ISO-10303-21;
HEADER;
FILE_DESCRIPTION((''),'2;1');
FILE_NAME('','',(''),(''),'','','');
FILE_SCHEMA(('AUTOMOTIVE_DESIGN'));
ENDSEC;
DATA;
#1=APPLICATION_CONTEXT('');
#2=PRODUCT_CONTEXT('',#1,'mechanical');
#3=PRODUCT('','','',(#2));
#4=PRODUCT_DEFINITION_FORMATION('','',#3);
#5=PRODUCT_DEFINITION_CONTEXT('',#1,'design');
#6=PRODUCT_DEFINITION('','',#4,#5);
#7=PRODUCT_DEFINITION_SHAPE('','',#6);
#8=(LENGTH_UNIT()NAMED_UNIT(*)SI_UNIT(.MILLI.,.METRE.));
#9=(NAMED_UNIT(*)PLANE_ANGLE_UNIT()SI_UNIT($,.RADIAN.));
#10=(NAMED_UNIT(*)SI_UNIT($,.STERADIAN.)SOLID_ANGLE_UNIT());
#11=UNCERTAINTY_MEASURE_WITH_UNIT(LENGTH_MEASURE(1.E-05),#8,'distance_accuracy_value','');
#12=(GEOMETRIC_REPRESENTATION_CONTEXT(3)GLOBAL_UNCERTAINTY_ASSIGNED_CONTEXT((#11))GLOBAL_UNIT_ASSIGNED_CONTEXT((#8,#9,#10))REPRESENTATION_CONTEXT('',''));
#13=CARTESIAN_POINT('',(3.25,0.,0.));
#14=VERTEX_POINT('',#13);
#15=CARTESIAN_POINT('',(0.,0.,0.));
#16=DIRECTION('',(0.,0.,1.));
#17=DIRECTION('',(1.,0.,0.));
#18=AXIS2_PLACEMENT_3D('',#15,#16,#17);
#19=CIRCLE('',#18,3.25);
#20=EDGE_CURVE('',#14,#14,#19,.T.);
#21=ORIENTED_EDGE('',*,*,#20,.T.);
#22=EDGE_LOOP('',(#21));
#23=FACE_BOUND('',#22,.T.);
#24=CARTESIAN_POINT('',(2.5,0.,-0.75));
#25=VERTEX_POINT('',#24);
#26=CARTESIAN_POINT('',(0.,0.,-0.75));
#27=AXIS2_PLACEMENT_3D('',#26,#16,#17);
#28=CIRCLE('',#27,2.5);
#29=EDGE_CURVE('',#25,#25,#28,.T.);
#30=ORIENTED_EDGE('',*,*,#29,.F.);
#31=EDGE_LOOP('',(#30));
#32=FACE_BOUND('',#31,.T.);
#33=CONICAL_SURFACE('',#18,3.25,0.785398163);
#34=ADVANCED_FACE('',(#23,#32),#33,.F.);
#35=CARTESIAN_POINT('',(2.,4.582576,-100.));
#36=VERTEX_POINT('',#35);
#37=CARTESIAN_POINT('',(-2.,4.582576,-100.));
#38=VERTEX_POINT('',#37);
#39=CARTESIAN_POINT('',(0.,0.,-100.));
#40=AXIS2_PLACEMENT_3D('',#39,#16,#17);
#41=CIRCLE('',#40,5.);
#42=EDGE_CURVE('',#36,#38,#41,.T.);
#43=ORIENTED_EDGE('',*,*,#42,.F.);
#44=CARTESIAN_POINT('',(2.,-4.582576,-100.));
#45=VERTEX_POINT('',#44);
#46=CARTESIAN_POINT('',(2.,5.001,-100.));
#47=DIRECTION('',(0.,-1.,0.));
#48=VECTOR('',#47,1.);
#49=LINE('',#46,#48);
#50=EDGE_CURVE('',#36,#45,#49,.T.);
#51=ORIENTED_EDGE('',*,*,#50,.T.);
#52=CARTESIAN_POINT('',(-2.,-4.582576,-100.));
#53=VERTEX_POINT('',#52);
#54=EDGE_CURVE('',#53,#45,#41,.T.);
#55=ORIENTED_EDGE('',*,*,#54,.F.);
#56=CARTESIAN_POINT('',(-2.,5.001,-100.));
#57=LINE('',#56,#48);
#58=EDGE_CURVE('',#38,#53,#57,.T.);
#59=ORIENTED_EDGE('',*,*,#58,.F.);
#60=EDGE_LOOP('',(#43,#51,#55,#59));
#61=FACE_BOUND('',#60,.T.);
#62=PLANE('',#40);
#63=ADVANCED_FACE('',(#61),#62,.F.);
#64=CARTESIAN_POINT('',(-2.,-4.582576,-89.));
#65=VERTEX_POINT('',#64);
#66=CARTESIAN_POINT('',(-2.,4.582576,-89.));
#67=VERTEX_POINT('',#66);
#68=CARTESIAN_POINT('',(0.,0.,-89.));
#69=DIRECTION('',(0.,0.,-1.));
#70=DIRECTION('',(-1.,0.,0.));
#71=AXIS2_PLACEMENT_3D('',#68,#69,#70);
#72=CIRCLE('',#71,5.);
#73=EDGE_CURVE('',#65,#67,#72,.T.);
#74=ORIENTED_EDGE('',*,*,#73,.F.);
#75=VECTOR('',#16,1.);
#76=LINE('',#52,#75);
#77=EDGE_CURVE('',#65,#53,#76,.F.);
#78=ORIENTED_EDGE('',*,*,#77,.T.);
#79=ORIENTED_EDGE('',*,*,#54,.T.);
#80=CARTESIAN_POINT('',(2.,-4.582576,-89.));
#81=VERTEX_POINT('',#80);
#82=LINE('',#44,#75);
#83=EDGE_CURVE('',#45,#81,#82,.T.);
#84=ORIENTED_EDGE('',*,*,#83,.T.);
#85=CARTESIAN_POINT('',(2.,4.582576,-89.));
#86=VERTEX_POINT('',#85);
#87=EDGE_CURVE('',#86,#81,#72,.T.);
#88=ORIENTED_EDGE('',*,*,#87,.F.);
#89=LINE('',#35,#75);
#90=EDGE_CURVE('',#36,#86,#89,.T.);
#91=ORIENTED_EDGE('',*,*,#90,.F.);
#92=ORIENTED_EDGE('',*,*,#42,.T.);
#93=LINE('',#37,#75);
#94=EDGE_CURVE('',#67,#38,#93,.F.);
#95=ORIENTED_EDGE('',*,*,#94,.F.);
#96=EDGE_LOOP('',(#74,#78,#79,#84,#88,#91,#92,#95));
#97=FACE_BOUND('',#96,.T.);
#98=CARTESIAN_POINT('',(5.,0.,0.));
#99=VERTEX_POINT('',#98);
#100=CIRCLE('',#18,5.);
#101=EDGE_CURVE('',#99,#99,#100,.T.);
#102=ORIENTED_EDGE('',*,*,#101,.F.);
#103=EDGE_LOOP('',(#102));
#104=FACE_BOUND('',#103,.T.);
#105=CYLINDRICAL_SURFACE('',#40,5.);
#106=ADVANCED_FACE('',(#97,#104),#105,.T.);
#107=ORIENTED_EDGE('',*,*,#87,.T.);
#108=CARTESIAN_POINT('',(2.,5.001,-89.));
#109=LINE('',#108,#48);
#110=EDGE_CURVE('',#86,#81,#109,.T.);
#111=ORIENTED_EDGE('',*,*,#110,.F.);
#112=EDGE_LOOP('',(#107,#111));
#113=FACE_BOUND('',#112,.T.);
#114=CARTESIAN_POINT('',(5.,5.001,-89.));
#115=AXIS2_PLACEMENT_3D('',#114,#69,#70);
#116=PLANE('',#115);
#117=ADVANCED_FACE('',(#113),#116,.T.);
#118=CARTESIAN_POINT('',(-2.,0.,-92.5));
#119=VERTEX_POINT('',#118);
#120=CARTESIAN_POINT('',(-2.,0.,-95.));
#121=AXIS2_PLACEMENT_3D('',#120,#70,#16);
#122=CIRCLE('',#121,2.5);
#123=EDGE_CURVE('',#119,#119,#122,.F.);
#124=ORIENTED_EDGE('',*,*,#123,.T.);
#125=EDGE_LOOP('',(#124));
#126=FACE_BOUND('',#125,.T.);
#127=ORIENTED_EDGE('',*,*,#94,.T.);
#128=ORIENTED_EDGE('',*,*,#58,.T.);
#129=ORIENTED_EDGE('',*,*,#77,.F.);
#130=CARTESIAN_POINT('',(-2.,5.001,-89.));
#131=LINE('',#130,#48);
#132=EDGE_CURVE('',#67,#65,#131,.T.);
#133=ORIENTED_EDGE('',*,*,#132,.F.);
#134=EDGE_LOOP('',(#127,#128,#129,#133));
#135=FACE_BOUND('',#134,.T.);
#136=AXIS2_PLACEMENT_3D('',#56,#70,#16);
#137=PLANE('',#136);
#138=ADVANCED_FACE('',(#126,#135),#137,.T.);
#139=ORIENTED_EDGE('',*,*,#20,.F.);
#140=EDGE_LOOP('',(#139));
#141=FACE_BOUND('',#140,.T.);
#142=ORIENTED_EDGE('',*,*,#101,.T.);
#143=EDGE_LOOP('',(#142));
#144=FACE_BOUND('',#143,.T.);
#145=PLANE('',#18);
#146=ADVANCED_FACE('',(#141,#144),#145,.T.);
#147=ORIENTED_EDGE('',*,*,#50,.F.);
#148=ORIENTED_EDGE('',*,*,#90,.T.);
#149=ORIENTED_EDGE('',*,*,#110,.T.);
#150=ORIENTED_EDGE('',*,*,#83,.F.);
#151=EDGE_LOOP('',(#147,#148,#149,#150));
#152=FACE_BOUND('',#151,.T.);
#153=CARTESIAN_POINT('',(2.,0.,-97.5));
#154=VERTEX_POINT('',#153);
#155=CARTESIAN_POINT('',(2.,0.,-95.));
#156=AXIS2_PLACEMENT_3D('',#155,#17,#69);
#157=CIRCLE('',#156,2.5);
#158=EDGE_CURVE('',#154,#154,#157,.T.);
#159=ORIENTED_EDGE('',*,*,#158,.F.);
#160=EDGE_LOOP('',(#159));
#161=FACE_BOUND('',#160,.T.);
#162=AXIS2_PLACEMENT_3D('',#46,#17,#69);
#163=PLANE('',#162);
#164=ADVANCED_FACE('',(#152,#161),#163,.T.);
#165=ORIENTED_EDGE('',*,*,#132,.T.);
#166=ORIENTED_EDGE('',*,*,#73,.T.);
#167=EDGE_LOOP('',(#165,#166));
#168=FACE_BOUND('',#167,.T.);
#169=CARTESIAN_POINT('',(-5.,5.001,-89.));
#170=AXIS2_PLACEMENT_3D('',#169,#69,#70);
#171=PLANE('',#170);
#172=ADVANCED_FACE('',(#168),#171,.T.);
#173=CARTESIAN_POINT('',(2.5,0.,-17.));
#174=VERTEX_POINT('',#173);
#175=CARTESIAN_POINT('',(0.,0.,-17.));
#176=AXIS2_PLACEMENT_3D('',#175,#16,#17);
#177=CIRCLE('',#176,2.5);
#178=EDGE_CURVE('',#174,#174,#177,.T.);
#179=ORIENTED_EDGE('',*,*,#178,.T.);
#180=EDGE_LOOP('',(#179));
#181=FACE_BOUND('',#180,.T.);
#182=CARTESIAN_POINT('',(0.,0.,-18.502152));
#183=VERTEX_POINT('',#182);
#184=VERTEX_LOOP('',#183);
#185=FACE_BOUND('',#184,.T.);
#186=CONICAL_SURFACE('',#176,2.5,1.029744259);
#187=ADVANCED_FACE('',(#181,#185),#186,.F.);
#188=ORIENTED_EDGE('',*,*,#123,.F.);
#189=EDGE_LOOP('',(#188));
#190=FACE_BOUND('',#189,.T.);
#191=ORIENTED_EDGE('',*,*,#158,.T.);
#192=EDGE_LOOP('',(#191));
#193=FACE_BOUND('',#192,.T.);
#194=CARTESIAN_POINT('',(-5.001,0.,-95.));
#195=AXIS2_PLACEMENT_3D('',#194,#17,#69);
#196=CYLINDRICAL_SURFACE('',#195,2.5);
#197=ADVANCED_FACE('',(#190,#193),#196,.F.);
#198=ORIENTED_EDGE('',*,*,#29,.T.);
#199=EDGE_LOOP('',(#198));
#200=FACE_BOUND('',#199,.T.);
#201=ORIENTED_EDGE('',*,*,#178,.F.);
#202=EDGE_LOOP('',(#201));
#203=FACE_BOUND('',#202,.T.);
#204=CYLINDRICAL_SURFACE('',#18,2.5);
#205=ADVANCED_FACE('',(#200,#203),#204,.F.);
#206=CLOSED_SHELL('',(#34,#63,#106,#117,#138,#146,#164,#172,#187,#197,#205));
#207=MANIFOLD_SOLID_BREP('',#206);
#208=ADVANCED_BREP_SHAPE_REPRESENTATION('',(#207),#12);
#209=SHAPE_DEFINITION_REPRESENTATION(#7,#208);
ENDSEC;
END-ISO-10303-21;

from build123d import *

# Parameters (mm, degrees)
SKETCH1_R                       = 5
BOSS_EXTRUDE1_DEPTH             = 100
CUT_EXTRUDE5_REACH              = 7
SKETCH2_W                       = 3
SKETCH2_H                       = 11
CUT_EXTRUDE5_DIRECTION_2_REACH  = 7
CUT_EXTRUDE6_REACH              = 9
SKETCH3_R                       = 2.5
M6X1_0_TAPPED_HOLE1_D           = 5
M6X1_0_TAPPED_HOLE1_DEPTH       = 17
M6X1_0_TAPPED_HOLE1_CSINK_D     = 6.5
M6X1_0_TAPPED_HOLE1_CSINK_ANGLE = 90
M6X1_0_TAPPED_HOLE1_TIP         = 1.502151548


with BuildPart() as part:
    # Sketch1 → Boss-Extrude1 (new body)
    with BuildSketch(Plane.XY):
        Circle(SKETCH1_R)
    extrude(amount=-BOSS_EXTRUDE1_DEPTH)

    # Sketch2 → Cut-Extrude5 (cut, up to next)
    with BuildSketch(Plane(origin=(0, 0, 0), x_dir=(1, 0, 0), z_dir=(0, 1, 0)), mode=Mode.PRIVATE) as cut_extrude5_sk1:
        with Locations((-3.5, 94.5)):
            Rectangle(SKETCH2_W, SKETCH2_H)
    cut_extrude5_tool1 = extrude(cut_extrude5_sk1.sketch, amount=-CUT_EXTRUDE5_REACH, mode=Mode.PRIVATE) & part.part
    add(cut_extrude5_tool1.solids().sort_by_distance((-3.5, 0, -94.5))[0], mode=Mode.SUBTRACT)
    # Sketch2 → Cut-Extrude5 (cut, up to next)
    with BuildSketch(Plane(origin=(0, 0, 0), x_dir=(1, 0, 0), z_dir=(0, 1, 0)), mode=Mode.PRIVATE) as cut_extrude5_sk2:
        with Locations((3.5, 94.5)):
            Rectangle(SKETCH2_W, SKETCH2_H)
    cut_extrude5_tool2 = extrude(cut_extrude5_sk2.sketch, amount=-CUT_EXTRUDE5_REACH, mode=Mode.PRIVATE) & part.part
    add(cut_extrude5_tool2.solids().sort_by_distance((3.5, 0, -94.5))[0], mode=Mode.SUBTRACT)

    # Sketch2 → Cut-Extrude5 direction 2 (cut, up to next)
    with BuildSketch(Plane(origin=(0, 0, 0), x_dir=(1, 0, 0), z_dir=(0, 1, 0)), mode=Mode.PRIVATE) as cut_extrude5_direction_2_sk1:
        with Locations((-3.5, 94.5)):
            Rectangle(SKETCH2_W, SKETCH2_H)
    cut_extrude5_direction_2_tool1 = extrude(cut_extrude5_direction_2_sk1.sketch, amount=CUT_EXTRUDE5_DIRECTION_2_REACH, mode=Mode.PRIVATE) & part.part
    add(cut_extrude5_direction_2_tool1.solids().sort_by_distance((-3.5, 0, -94.5))[0], mode=Mode.SUBTRACT)
    # Sketch2 → Cut-Extrude5 direction 2 (cut, up to next)
    with BuildSketch(Plane(origin=(0, 0, 0), x_dir=(1, 0, 0), z_dir=(0, 1, 0)), mode=Mode.PRIVATE) as cut_extrude5_direction_2_sk2:
        with Locations((3.5, 94.5)):
            Rectangle(SKETCH2_W, SKETCH2_H)
    cut_extrude5_direction_2_tool2 = extrude(cut_extrude5_direction_2_sk2.sketch, amount=CUT_EXTRUDE5_DIRECTION_2_REACH, mode=Mode.PRIVATE) & part.part
    add(cut_extrude5_direction_2_tool2.solids().sort_by_distance((3.5, 0, -94.5))[0], mode=Mode.SUBTRACT)

    # Sketch3 → Cut-Extrude6 (cut, up to next)
    with BuildSketch(Plane(origin=(2, 0, 0), x_dir=(0, 0, -1), z_dir=(1, 0, 0)), mode=Mode.PRIVATE) as cut_extrude6_sk1:
        with Locations((95, 0)):
            Circle(SKETCH3_R)
    cut_extrude6_tool1 = extrude(cut_extrude6_sk1.sketch, amount=-CUT_EXTRUDE6_REACH, mode=Mode.PRIVATE) & part.part
    add(cut_extrude6_tool1.solids().sort_by_distance((2, 0, -95))[0], mode=Mode.SUBTRACT)

    # M6x1.0 Tapped Hole1
    with Locations(Plane.XY):
        with Locations((0, 0)):
            CounterSinkHole(M6X1_0_TAPPED_HOLE1_D / 2, M6X1_0_TAPPED_HOLE1_CSINK_D / 2, depth=M6X1_0_TAPPED_HOLE1_DEPTH, counter_sink_angle=M6X1_0_TAPPED_HOLE1_CSINK_ANGLE)
            with Locations((0, 0, -(M6X1_0_TAPPED_HOLE1_DEPTH + M6X1_0_TAPPED_HOLE1_TIP / 2))):  # 118° drill point
                Cone(0, M6X1_0_TAPPED_HOLE1_D / 2, M6X1_0_TAPPED_HOLE1_TIP, mode=Mode.SUBTRACT)


solid = part.part
